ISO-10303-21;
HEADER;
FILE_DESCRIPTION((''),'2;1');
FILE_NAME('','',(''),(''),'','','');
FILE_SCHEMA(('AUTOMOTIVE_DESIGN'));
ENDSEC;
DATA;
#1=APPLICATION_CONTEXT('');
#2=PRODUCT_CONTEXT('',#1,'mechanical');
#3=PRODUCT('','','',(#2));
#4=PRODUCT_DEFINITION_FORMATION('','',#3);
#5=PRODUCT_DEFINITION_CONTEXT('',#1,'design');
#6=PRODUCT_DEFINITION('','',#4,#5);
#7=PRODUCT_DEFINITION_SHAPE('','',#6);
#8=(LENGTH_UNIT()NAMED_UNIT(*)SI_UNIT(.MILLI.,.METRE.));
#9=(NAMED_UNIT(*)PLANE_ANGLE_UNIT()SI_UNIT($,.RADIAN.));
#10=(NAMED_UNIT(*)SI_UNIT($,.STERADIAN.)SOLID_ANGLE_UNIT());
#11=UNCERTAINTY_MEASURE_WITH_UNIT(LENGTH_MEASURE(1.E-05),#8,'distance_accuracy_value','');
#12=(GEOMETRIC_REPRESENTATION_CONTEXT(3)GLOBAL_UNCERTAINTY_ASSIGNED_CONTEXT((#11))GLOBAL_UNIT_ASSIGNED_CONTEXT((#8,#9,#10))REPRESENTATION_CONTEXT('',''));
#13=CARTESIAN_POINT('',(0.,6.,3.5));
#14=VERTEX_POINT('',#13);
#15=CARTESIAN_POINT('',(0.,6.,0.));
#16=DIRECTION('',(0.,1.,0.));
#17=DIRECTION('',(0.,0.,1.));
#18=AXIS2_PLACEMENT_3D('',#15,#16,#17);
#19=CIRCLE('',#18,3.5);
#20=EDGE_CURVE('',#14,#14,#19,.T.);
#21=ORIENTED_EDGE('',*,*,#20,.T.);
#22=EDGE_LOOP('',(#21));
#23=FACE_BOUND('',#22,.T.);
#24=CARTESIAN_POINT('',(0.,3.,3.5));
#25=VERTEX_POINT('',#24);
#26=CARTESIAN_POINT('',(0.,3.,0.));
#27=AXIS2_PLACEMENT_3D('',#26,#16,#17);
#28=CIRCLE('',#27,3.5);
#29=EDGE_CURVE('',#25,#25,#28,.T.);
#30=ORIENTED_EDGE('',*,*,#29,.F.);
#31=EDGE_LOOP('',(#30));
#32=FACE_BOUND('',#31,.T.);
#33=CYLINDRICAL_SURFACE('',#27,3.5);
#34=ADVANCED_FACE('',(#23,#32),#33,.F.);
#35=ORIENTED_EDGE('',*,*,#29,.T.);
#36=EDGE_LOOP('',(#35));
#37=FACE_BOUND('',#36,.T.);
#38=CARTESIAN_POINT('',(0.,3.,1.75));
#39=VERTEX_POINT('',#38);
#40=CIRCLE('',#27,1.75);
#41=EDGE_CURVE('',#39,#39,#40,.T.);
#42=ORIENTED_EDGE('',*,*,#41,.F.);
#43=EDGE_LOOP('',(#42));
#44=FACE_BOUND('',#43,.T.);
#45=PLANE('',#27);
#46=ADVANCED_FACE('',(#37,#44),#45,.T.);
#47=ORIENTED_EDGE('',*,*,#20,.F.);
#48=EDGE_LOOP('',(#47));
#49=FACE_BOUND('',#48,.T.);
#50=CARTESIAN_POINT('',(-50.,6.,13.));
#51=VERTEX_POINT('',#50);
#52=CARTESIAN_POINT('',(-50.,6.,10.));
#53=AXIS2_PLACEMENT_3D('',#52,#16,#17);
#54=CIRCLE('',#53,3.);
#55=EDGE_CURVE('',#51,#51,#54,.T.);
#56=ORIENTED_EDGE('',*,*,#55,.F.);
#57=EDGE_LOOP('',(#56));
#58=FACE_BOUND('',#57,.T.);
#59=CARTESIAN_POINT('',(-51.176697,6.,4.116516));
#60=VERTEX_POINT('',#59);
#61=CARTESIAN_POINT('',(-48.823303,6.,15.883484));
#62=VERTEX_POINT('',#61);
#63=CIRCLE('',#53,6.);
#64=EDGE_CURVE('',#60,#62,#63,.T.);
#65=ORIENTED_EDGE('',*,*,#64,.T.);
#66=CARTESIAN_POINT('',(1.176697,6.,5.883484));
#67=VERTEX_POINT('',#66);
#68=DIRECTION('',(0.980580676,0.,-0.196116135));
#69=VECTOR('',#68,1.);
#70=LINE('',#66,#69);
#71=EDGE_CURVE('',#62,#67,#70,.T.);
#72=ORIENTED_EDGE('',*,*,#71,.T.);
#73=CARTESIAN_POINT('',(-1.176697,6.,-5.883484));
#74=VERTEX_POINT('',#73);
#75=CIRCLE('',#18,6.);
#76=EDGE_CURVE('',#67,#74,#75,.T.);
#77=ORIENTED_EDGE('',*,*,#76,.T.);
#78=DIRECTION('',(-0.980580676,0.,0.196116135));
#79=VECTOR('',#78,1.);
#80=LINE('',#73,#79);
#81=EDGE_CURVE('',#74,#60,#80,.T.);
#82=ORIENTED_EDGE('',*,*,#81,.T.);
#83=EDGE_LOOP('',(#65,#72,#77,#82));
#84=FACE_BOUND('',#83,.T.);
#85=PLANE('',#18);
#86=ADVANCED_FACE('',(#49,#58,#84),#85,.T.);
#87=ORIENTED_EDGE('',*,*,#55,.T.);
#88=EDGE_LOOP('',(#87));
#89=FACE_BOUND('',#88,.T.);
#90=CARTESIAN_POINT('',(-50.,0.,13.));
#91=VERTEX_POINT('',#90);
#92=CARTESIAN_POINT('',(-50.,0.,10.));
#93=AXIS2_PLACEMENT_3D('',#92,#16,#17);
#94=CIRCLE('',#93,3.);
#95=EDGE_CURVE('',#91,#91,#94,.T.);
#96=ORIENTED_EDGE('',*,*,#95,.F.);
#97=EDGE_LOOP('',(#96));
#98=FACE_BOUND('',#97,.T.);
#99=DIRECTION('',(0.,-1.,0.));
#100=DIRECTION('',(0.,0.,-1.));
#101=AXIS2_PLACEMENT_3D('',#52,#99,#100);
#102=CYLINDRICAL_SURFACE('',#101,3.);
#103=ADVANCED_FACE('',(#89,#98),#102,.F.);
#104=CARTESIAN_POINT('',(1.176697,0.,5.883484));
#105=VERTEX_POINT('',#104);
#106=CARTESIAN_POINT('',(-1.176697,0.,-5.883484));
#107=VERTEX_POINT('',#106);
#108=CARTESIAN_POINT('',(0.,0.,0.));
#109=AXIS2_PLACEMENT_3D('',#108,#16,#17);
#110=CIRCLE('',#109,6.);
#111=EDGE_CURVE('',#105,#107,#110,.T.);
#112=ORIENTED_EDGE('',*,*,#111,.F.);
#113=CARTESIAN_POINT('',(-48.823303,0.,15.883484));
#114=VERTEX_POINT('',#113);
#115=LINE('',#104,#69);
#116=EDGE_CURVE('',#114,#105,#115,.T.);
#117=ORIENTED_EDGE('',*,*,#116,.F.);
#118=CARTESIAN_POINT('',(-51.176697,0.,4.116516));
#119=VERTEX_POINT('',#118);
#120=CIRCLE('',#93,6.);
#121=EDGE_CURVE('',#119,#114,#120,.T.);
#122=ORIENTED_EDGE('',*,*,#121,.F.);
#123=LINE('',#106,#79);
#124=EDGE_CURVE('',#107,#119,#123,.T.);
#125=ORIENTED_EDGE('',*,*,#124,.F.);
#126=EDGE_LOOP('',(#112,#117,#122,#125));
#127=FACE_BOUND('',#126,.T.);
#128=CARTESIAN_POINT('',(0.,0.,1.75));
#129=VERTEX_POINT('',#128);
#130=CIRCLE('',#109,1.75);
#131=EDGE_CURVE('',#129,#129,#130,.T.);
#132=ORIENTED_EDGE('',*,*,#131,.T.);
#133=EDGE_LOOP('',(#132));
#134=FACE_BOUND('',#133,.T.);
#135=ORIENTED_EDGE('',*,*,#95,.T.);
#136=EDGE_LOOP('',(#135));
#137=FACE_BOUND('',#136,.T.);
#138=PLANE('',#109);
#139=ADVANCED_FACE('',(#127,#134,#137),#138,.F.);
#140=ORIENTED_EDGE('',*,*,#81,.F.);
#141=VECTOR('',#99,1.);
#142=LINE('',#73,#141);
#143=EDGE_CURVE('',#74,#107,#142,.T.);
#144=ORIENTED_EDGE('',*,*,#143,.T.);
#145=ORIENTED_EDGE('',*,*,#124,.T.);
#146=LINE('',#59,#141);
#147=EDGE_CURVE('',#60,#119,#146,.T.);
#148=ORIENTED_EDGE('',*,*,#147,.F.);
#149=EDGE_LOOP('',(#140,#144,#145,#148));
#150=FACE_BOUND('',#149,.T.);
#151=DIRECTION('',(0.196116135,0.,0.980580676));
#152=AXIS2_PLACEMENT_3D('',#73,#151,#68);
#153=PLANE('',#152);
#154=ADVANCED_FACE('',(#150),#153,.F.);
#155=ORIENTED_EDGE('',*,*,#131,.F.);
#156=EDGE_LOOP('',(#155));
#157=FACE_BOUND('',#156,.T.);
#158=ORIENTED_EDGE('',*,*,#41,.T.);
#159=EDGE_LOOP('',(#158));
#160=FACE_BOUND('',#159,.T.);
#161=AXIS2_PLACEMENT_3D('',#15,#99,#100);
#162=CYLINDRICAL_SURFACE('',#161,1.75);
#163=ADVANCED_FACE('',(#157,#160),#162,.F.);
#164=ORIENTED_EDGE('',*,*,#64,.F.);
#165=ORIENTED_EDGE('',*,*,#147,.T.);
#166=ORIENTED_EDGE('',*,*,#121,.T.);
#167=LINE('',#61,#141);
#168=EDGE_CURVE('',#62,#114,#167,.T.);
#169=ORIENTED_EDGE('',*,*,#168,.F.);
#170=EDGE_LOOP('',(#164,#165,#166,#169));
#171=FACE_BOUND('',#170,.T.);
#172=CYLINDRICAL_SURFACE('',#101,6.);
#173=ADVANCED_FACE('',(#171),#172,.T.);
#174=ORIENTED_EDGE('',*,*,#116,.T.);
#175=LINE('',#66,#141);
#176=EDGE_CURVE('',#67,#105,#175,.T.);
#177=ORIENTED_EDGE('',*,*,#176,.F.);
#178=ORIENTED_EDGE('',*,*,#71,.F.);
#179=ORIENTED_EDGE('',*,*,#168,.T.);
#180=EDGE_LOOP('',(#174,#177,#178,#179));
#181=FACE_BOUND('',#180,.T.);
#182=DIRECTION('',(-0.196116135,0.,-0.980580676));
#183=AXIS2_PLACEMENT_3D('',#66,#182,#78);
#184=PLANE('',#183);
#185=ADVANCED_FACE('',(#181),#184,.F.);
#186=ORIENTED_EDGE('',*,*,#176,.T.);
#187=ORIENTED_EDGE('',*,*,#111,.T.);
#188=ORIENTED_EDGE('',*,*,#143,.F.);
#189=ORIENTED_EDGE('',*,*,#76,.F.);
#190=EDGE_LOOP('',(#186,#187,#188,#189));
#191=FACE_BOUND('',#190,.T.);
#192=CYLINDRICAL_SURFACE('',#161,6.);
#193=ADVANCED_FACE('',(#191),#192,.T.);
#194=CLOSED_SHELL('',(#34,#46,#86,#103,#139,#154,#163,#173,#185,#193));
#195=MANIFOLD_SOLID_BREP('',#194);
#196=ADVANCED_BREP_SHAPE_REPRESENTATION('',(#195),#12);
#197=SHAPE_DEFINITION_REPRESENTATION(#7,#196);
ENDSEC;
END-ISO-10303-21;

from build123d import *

# Parameters (mm, degrees)
SKETCH1_R           = 1.75
SKETCH1_R_2         = 3
BOSS_EXTRUDE1_DEPTH = 6
SKETCH2_R           = 3.5
CUT_EXTRUDE1_DEPTH  = 3


with BuildPart() as part:
    # Sketch1 → Boss-Extrude1 (new body)
    with BuildSketch(Plane(origin=(0, 0, 0), x_dir=(1, 0, 0), z_dir=(0, 1, 0))):
        with BuildLine():
            Line((1.176696811, -5.883484054), (-48.823303189, -15.883484054))
            ThreePointArc((-48.823303189, -15.883484054), (-55.883484054, -11.176696811), (-51.176696811, -4.116515946))
            Line((-51.176696811, -4.116515946), (-1.176696811, 5.883484054))
            ThreePointArc((-1.176696811, 5.883484054), (5.883484054, 1.176696811), (1.176696811, -5.883484054))
        make_face()
        with Locations(Location((0, 0, 0), (0, 0, 270))):
            Circle(SKETCH1_R, mode=Mode.SUBTRACT)
        with Locations(Location((-50, -10, 0), (0, 0, 270))):
            Circle(SKETCH1_R_2, mode=Mode.SUBTRACT)
    extrude(amount=BOSS_EXTRUDE1_DEPTH)

    # Sketch2 → Cut-Extrude1 (cut)
    with BuildSketch(Plane(origin=(0, 6, 0), x_dir=(1, 0, 0), z_dir=(0, 1, 0))):
        with Locations(Location((0, 0, 0), (0, 0, 270))):
            Circle(SKETCH2_R)
    extrude(amount=-CUT_EXTRUDE1_DEPTH, mode=Mode.SUBTRACT)


solid = part.part
